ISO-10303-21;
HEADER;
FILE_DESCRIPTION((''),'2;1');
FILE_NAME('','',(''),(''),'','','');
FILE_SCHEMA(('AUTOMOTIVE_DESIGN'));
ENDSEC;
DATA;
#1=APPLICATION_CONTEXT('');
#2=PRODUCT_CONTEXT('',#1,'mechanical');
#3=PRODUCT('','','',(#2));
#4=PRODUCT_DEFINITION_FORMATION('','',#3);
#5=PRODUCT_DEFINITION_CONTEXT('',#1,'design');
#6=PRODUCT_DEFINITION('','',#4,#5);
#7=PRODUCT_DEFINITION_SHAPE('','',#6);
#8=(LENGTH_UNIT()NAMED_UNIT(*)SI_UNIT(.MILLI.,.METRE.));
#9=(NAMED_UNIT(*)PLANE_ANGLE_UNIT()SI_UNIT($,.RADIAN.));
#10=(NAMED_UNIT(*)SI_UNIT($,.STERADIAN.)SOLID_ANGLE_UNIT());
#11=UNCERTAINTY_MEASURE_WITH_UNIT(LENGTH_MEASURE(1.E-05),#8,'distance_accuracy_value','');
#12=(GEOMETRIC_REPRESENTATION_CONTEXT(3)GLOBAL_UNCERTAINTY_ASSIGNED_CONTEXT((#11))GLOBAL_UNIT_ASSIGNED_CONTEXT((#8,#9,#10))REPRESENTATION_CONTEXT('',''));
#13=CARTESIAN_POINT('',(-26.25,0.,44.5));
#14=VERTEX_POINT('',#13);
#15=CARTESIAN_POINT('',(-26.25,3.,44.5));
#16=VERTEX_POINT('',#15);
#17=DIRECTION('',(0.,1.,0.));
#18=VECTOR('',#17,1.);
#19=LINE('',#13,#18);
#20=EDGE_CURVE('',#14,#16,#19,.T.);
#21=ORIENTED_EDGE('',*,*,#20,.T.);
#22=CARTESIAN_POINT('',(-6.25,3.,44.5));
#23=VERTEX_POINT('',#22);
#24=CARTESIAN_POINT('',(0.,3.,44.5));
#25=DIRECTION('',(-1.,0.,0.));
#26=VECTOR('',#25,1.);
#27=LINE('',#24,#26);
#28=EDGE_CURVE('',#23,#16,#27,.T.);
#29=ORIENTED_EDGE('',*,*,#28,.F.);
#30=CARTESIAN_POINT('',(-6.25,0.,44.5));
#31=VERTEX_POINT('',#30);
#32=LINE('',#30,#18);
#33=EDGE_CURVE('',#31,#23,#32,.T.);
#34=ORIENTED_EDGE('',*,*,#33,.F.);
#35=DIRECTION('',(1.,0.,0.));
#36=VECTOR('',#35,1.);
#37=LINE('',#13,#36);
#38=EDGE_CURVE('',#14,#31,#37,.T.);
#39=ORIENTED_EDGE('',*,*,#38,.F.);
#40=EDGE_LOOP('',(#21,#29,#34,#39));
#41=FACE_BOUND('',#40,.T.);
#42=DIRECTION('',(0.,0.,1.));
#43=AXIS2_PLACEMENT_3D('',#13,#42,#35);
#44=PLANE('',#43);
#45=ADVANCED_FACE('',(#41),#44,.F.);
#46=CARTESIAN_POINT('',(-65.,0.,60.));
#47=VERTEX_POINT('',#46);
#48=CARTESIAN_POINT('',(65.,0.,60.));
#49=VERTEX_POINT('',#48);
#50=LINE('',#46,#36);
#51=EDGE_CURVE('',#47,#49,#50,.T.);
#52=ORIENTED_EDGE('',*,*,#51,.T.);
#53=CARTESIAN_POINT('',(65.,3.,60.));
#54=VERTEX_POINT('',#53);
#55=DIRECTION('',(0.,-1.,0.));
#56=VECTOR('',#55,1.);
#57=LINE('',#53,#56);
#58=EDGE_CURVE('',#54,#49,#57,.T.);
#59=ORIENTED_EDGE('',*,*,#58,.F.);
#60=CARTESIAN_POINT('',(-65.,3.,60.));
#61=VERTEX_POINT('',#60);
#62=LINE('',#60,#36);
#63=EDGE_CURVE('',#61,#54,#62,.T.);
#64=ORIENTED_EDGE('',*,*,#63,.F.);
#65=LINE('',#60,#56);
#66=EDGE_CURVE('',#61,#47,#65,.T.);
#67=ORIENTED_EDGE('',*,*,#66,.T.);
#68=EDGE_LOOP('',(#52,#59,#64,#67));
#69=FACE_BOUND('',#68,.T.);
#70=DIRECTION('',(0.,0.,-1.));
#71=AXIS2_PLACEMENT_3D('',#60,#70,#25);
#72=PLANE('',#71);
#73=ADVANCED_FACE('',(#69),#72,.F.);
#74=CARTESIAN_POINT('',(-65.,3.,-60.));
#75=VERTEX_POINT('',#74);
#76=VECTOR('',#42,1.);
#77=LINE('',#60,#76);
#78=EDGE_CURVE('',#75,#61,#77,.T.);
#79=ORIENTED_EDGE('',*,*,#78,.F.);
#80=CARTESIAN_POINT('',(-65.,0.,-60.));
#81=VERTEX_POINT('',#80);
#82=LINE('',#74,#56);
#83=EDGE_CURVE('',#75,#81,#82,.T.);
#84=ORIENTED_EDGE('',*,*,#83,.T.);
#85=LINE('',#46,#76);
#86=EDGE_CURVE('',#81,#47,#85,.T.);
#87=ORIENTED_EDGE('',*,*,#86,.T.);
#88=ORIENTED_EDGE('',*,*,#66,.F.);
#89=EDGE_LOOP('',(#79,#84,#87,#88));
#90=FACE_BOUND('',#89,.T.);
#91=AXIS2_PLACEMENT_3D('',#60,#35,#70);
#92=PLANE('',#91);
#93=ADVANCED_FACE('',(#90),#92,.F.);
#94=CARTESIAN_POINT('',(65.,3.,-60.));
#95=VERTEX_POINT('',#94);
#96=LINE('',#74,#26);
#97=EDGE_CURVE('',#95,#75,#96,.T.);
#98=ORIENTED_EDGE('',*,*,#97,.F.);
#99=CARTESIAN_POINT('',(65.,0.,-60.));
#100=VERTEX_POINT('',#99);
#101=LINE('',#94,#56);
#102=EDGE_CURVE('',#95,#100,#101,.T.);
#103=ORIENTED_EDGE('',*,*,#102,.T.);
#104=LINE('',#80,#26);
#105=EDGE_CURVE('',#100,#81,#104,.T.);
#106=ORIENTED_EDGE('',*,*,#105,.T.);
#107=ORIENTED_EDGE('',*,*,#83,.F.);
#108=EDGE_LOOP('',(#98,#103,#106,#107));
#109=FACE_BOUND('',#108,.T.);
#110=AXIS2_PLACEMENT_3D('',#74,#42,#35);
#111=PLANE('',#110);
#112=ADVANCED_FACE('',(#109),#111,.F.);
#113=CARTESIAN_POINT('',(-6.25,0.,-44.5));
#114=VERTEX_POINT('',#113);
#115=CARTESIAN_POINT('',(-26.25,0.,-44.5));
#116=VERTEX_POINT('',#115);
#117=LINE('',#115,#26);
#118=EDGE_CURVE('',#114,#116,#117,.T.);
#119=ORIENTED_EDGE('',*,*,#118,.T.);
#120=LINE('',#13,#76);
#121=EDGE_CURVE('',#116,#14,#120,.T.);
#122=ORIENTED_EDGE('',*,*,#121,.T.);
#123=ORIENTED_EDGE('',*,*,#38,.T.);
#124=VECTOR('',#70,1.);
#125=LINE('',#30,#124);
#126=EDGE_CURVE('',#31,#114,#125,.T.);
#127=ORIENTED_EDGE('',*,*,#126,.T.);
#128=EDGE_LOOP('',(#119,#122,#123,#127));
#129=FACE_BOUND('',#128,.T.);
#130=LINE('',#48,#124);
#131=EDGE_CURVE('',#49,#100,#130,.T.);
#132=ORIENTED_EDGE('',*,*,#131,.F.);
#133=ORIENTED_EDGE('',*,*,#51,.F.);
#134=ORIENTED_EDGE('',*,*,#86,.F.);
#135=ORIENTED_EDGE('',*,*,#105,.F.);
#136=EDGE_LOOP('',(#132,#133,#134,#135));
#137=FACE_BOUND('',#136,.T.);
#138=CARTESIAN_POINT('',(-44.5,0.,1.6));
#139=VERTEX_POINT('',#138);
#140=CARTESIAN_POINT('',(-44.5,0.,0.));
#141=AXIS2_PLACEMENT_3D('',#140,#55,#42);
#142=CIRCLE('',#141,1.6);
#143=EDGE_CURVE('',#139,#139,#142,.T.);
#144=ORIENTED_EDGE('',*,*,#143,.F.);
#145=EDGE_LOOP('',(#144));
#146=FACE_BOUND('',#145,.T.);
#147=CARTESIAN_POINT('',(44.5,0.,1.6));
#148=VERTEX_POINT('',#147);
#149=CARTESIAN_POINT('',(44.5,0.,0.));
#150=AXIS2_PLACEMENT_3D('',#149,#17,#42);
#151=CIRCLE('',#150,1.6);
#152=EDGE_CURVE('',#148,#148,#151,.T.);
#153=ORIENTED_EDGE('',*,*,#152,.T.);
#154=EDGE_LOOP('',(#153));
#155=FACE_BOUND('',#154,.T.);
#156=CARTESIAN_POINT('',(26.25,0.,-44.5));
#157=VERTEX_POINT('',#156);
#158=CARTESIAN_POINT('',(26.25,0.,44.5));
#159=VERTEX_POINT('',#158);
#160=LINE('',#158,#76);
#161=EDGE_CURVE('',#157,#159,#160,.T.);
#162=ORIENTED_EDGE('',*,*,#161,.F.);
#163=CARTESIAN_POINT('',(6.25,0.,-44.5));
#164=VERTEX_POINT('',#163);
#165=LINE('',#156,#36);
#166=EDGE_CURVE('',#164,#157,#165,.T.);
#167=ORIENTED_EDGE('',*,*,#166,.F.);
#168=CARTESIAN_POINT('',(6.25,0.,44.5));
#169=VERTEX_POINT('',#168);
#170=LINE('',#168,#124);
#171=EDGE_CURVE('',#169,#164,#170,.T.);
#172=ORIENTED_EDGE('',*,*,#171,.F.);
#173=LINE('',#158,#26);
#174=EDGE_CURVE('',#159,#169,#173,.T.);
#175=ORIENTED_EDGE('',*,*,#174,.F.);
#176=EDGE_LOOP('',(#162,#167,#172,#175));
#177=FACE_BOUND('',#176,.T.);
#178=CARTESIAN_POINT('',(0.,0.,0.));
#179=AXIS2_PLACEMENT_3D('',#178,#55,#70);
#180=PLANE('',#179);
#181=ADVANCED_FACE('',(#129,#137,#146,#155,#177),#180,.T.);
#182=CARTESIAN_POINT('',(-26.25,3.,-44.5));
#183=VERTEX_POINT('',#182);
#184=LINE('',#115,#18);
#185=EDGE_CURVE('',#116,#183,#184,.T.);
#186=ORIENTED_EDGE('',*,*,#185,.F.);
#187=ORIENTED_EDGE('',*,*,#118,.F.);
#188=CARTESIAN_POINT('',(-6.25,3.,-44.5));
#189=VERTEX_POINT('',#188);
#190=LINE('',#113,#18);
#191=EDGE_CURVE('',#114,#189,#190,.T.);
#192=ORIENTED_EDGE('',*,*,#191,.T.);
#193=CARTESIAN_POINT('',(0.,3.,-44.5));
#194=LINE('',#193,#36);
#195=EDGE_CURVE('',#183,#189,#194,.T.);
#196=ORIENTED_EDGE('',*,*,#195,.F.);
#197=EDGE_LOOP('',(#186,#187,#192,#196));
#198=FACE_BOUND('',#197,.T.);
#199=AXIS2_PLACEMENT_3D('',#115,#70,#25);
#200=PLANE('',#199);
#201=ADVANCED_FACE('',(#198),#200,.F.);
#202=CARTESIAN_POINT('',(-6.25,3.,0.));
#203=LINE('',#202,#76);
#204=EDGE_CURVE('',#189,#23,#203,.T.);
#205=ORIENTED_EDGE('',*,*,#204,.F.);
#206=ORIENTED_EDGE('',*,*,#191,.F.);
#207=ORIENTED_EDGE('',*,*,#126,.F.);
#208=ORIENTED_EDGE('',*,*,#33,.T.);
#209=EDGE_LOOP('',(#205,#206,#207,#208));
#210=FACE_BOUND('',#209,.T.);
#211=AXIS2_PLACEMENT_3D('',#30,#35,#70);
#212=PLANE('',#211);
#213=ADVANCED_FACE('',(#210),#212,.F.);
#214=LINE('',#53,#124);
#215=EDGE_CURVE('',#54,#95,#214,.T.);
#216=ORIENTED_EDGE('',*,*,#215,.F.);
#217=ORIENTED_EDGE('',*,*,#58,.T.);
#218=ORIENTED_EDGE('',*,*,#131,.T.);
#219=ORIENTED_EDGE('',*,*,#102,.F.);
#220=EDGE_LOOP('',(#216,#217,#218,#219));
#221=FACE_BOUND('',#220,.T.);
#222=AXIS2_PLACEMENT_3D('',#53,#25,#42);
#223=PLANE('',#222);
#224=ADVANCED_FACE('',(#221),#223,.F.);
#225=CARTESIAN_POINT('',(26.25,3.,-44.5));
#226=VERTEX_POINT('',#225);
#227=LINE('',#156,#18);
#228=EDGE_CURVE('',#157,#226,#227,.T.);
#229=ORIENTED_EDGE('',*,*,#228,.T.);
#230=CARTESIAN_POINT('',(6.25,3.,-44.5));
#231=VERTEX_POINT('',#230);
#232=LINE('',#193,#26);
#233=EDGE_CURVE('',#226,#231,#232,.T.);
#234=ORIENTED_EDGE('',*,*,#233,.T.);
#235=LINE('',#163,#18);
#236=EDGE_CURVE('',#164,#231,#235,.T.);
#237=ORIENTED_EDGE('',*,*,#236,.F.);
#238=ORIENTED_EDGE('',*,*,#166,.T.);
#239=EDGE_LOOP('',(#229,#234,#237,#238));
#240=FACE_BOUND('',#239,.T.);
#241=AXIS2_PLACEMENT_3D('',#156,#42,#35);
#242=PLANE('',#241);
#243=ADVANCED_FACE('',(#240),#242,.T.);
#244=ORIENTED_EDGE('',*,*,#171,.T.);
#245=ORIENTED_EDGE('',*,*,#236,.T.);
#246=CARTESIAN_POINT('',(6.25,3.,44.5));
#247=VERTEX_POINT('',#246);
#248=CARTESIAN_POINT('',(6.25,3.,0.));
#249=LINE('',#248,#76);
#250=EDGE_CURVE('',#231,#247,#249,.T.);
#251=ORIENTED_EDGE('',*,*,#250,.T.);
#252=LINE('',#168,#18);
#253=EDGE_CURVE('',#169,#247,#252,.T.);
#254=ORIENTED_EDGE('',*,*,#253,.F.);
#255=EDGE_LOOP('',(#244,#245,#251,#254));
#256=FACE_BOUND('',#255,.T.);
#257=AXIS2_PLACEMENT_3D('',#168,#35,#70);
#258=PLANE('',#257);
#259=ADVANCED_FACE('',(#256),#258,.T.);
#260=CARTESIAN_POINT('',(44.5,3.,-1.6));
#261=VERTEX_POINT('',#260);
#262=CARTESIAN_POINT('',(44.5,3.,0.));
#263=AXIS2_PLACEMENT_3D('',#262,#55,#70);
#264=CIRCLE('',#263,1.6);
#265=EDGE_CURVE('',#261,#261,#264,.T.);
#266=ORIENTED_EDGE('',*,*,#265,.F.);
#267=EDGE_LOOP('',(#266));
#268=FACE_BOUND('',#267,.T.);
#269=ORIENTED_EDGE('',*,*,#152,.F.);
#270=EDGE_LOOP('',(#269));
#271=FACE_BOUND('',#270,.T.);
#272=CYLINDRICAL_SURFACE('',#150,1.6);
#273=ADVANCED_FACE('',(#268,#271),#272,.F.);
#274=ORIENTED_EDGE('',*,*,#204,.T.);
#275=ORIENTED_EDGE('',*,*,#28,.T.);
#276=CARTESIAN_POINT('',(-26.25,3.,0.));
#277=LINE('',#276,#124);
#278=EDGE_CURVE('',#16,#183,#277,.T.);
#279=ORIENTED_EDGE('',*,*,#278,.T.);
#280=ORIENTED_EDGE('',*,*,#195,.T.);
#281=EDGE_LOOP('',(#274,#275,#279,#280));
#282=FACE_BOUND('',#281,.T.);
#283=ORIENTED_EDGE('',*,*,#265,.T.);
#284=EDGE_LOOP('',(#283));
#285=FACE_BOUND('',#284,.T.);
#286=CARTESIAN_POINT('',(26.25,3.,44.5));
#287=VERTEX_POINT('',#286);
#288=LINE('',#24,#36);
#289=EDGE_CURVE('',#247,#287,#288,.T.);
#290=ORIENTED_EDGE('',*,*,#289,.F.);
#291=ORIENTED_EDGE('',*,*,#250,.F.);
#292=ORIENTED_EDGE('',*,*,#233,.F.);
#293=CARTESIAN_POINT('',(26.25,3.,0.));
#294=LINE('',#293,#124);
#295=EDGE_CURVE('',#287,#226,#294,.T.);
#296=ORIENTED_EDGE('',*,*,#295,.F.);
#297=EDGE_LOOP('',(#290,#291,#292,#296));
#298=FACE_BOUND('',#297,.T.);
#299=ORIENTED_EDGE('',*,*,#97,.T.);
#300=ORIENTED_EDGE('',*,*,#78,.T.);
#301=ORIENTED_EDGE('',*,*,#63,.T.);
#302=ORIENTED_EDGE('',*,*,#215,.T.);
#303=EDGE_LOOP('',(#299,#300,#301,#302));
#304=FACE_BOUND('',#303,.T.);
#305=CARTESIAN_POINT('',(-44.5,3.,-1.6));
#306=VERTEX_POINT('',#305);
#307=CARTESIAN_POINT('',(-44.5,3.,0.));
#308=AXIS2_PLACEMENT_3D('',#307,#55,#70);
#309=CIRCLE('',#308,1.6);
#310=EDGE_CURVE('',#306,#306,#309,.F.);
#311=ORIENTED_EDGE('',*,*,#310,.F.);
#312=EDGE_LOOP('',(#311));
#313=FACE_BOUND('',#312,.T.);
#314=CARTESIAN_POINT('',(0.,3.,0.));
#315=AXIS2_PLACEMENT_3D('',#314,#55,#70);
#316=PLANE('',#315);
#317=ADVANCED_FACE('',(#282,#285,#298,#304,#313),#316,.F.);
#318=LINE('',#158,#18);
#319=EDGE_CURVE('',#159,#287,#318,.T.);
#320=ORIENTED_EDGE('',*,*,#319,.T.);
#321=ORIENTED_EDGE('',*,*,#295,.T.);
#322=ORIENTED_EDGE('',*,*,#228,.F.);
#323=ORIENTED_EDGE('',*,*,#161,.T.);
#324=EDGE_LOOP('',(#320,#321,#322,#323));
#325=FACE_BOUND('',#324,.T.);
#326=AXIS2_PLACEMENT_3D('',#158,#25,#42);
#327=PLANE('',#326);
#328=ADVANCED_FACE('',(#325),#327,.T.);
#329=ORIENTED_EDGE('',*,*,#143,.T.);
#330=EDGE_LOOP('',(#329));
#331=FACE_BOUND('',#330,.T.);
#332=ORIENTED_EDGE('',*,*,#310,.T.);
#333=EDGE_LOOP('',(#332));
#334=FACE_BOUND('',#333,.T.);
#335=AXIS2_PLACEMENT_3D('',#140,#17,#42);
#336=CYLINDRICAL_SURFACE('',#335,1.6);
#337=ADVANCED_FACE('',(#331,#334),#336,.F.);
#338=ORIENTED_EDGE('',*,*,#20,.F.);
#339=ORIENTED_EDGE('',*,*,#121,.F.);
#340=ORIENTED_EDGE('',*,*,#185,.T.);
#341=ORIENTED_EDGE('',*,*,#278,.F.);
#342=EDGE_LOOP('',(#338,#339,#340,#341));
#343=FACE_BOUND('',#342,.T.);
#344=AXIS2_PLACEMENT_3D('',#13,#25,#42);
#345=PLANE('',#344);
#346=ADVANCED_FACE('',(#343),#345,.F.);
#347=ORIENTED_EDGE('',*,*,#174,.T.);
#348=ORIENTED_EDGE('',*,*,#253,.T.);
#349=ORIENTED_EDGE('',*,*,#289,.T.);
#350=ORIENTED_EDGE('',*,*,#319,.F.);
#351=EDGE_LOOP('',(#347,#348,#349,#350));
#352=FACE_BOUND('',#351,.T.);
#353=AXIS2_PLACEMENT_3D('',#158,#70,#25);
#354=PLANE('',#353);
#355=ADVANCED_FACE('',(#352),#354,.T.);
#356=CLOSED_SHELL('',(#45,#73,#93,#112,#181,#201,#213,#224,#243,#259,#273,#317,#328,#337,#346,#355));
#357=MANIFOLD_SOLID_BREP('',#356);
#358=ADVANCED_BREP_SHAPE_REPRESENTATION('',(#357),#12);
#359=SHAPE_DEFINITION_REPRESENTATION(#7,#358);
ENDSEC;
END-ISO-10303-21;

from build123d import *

# Parameters (mm, degrees)
SKETCH1_W           = 130
SKETCH1_H           = 120
BOSS_EXTRUDE1_DEPTH = 3
CUT_EXTRUDE1_START  = -4
SKETCH2_W           = 20
SKETCH2_H           = 89
CUT_EXTRUDE1_DEPTH  = 5
CUT_EXTRUDE2_START  = -4
SKETCH3_R           = 1.6
CUT_EXTRUDE2_DEPTH  = 5


with BuildPart() as part:
    # Sketch1 → Boss-Extrude1 (new body)
    with BuildSketch(Plane(origin=(0, 0, 0), x_dir=(1, 0, 0), z_dir=(0, 1, 0))):
        Rectangle(SKETCH1_W, SKETCH1_H)
    extrude(amount=BOSS_EXTRUDE1_DEPTH)

    # Sketch2 → Cut-Extrude1 (cut)
    with BuildSketch(Plane(origin=(0, 3, 0), x_dir=(1, 0, 0), z_dir=(0, 1, 0)).offset(CUT_EXTRUDE1_START)):
        with Locations((-16.25, 0)):
            Rectangle(SKETCH2_W, SKETCH2_H)
    cut_extrude1 = extrude(amount=CUT_EXTRUDE1_DEPTH, mode=Mode.SUBTRACT)

    # Mirror1: Cut-Extrude1 across plane
    add(cut_extrude1.mirror(Plane(origin=(0, 0, 0), x_dir=(0, 0, 1), z_dir=(1, 0, 0))), mode=Mode.SUBTRACT)

    # Sketch3 → Cut-Extrude2 (cut)
    with BuildSketch(Plane(origin=(0, 3, 0), x_dir=(1, 0, 0), z_dir=(0, 1, 0)).offset(CUT_EXTRUDE2_START)):
        with Locations((44.5, 0)):
            Circle(SKETCH3_R)
    cut_extrude2 = extrude(amount=CUT_EXTRUDE2_DEPTH, mode=Mode.SUBTRACT)

    # Mirror2: Cut-Extrude2 across plane
    add(cut_extrude2.mirror(Plane(origin=(0, 0, 0), x_dir=(0, 0, 1), z_dir=(1, 0, 0))), mode=Mode.SUBTRACT)


solid = part.part
